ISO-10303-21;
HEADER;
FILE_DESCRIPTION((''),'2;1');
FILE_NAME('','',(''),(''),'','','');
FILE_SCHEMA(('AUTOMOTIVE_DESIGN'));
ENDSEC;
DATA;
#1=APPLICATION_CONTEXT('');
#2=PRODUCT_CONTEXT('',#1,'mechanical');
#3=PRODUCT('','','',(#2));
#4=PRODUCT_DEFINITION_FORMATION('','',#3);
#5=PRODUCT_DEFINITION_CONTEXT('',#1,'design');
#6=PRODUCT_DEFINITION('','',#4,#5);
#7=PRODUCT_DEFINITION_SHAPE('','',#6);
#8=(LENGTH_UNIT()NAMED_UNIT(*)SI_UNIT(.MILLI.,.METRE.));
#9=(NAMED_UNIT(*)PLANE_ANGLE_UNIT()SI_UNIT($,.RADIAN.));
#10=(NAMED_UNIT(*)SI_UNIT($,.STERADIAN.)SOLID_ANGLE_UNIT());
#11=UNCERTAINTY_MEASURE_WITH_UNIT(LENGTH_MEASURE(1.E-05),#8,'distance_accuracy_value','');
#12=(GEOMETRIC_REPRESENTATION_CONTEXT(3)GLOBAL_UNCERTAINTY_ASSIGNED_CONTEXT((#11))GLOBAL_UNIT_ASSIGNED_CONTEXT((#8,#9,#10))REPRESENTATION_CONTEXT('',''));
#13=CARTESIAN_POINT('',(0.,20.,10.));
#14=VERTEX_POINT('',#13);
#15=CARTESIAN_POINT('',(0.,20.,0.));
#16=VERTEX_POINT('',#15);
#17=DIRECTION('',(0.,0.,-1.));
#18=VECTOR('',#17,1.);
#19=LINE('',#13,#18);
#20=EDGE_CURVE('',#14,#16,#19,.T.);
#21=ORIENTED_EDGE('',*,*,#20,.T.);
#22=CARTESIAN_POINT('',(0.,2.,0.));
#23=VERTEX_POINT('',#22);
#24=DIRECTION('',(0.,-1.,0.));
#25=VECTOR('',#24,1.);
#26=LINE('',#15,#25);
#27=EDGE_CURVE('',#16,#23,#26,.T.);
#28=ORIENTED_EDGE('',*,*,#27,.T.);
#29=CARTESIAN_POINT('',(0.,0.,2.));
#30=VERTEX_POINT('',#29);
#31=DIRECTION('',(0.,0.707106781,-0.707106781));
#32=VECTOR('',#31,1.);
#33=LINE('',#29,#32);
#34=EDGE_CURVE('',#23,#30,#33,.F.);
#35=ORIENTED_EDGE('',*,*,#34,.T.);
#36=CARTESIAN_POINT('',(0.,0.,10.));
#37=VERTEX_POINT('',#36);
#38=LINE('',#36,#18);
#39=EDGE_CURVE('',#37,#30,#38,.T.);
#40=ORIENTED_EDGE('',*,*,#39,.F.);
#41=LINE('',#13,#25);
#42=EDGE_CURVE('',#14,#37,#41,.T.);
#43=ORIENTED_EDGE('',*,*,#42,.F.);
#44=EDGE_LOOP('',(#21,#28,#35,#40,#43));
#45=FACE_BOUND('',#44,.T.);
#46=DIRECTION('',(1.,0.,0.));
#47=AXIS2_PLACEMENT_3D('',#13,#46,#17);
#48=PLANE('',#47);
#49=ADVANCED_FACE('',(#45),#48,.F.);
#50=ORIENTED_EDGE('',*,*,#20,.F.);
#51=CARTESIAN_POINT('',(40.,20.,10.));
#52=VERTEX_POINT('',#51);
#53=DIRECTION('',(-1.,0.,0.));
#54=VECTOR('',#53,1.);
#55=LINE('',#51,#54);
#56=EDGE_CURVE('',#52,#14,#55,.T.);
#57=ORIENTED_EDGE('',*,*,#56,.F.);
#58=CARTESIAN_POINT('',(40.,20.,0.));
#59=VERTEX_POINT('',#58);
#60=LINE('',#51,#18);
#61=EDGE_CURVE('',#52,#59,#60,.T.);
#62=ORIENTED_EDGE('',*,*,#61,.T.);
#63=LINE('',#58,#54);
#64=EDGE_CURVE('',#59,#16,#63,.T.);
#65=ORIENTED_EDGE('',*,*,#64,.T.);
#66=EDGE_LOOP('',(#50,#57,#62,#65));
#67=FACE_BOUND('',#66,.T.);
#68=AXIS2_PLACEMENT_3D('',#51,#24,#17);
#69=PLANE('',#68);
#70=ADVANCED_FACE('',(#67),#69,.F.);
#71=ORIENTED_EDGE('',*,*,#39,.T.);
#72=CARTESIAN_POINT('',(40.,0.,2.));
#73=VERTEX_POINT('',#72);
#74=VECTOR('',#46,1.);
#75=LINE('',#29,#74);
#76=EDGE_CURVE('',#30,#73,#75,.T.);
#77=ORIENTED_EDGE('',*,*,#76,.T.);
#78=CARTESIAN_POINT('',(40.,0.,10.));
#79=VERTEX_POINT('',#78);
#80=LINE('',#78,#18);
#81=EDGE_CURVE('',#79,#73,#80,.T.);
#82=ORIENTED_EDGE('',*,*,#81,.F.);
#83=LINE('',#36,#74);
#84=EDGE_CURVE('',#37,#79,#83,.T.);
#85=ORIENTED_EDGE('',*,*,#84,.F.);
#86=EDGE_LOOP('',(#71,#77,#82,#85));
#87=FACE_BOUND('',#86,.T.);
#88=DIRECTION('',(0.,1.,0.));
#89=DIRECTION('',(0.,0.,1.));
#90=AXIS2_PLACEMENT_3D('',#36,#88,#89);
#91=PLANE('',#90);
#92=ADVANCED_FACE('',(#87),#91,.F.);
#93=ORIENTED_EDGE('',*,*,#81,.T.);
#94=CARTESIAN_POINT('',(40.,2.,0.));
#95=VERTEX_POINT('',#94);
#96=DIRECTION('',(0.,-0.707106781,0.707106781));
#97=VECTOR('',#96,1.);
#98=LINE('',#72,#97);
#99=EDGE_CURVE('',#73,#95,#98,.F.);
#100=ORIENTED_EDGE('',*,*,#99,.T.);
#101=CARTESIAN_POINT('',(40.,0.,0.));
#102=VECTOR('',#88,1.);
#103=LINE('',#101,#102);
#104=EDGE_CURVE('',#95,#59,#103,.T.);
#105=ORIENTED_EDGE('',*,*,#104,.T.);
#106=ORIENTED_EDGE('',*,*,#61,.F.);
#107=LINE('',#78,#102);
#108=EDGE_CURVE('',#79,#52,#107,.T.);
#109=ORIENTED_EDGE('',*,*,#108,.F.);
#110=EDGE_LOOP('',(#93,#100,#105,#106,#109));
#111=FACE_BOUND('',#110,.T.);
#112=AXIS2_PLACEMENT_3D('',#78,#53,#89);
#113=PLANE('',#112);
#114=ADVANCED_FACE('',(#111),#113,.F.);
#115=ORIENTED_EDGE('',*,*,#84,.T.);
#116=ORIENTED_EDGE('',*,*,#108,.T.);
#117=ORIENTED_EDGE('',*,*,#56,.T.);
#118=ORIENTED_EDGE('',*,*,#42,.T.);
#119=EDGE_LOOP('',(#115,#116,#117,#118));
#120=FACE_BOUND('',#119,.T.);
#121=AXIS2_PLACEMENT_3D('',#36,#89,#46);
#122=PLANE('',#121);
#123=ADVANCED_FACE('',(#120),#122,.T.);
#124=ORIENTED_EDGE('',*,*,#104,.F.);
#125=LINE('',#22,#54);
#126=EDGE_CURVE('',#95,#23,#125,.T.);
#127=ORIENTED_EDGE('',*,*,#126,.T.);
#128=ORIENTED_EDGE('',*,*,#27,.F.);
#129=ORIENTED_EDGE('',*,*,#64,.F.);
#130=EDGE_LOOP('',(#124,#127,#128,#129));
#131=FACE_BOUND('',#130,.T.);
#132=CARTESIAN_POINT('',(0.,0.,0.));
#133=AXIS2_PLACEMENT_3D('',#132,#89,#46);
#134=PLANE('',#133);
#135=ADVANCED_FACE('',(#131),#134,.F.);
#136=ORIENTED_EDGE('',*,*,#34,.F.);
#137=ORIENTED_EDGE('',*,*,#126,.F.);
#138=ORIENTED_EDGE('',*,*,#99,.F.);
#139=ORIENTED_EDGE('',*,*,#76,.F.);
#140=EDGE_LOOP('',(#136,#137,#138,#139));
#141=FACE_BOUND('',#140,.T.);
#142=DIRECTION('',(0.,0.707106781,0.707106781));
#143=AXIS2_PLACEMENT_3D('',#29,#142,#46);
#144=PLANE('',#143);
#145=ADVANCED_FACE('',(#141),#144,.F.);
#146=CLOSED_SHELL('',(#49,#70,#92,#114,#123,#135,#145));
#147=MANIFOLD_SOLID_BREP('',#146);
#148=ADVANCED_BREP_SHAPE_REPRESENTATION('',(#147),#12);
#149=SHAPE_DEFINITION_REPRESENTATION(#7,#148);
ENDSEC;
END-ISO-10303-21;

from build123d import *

# Parameters (mm, degrees)
SKETCH1_W           = 40
SKETCH1_H           = 20
BOSS_EXTRUDE1_DEPTH = 10
CHAMFER1_SIZE       = 2


with BuildPart() as part:
    # Sketch1 → Boss-Extrude1 (new body)
    with BuildSketch(Plane.XY):
        with Locations((20, 10)):
            Rectangle(SKETCH1_W, SKETCH1_H)
    extrude(amount=BOSS_EXTRUDE1_DEPTH)

    # Chamfer1
    chamfer1_edges = [part.edges().sort_by_distance(p)[0] for p in [
        (20, 0, 0),
    ]]
    chamfer(chamfer1_edges, length=CHAMFER1_SIZE)


solid = part.part
